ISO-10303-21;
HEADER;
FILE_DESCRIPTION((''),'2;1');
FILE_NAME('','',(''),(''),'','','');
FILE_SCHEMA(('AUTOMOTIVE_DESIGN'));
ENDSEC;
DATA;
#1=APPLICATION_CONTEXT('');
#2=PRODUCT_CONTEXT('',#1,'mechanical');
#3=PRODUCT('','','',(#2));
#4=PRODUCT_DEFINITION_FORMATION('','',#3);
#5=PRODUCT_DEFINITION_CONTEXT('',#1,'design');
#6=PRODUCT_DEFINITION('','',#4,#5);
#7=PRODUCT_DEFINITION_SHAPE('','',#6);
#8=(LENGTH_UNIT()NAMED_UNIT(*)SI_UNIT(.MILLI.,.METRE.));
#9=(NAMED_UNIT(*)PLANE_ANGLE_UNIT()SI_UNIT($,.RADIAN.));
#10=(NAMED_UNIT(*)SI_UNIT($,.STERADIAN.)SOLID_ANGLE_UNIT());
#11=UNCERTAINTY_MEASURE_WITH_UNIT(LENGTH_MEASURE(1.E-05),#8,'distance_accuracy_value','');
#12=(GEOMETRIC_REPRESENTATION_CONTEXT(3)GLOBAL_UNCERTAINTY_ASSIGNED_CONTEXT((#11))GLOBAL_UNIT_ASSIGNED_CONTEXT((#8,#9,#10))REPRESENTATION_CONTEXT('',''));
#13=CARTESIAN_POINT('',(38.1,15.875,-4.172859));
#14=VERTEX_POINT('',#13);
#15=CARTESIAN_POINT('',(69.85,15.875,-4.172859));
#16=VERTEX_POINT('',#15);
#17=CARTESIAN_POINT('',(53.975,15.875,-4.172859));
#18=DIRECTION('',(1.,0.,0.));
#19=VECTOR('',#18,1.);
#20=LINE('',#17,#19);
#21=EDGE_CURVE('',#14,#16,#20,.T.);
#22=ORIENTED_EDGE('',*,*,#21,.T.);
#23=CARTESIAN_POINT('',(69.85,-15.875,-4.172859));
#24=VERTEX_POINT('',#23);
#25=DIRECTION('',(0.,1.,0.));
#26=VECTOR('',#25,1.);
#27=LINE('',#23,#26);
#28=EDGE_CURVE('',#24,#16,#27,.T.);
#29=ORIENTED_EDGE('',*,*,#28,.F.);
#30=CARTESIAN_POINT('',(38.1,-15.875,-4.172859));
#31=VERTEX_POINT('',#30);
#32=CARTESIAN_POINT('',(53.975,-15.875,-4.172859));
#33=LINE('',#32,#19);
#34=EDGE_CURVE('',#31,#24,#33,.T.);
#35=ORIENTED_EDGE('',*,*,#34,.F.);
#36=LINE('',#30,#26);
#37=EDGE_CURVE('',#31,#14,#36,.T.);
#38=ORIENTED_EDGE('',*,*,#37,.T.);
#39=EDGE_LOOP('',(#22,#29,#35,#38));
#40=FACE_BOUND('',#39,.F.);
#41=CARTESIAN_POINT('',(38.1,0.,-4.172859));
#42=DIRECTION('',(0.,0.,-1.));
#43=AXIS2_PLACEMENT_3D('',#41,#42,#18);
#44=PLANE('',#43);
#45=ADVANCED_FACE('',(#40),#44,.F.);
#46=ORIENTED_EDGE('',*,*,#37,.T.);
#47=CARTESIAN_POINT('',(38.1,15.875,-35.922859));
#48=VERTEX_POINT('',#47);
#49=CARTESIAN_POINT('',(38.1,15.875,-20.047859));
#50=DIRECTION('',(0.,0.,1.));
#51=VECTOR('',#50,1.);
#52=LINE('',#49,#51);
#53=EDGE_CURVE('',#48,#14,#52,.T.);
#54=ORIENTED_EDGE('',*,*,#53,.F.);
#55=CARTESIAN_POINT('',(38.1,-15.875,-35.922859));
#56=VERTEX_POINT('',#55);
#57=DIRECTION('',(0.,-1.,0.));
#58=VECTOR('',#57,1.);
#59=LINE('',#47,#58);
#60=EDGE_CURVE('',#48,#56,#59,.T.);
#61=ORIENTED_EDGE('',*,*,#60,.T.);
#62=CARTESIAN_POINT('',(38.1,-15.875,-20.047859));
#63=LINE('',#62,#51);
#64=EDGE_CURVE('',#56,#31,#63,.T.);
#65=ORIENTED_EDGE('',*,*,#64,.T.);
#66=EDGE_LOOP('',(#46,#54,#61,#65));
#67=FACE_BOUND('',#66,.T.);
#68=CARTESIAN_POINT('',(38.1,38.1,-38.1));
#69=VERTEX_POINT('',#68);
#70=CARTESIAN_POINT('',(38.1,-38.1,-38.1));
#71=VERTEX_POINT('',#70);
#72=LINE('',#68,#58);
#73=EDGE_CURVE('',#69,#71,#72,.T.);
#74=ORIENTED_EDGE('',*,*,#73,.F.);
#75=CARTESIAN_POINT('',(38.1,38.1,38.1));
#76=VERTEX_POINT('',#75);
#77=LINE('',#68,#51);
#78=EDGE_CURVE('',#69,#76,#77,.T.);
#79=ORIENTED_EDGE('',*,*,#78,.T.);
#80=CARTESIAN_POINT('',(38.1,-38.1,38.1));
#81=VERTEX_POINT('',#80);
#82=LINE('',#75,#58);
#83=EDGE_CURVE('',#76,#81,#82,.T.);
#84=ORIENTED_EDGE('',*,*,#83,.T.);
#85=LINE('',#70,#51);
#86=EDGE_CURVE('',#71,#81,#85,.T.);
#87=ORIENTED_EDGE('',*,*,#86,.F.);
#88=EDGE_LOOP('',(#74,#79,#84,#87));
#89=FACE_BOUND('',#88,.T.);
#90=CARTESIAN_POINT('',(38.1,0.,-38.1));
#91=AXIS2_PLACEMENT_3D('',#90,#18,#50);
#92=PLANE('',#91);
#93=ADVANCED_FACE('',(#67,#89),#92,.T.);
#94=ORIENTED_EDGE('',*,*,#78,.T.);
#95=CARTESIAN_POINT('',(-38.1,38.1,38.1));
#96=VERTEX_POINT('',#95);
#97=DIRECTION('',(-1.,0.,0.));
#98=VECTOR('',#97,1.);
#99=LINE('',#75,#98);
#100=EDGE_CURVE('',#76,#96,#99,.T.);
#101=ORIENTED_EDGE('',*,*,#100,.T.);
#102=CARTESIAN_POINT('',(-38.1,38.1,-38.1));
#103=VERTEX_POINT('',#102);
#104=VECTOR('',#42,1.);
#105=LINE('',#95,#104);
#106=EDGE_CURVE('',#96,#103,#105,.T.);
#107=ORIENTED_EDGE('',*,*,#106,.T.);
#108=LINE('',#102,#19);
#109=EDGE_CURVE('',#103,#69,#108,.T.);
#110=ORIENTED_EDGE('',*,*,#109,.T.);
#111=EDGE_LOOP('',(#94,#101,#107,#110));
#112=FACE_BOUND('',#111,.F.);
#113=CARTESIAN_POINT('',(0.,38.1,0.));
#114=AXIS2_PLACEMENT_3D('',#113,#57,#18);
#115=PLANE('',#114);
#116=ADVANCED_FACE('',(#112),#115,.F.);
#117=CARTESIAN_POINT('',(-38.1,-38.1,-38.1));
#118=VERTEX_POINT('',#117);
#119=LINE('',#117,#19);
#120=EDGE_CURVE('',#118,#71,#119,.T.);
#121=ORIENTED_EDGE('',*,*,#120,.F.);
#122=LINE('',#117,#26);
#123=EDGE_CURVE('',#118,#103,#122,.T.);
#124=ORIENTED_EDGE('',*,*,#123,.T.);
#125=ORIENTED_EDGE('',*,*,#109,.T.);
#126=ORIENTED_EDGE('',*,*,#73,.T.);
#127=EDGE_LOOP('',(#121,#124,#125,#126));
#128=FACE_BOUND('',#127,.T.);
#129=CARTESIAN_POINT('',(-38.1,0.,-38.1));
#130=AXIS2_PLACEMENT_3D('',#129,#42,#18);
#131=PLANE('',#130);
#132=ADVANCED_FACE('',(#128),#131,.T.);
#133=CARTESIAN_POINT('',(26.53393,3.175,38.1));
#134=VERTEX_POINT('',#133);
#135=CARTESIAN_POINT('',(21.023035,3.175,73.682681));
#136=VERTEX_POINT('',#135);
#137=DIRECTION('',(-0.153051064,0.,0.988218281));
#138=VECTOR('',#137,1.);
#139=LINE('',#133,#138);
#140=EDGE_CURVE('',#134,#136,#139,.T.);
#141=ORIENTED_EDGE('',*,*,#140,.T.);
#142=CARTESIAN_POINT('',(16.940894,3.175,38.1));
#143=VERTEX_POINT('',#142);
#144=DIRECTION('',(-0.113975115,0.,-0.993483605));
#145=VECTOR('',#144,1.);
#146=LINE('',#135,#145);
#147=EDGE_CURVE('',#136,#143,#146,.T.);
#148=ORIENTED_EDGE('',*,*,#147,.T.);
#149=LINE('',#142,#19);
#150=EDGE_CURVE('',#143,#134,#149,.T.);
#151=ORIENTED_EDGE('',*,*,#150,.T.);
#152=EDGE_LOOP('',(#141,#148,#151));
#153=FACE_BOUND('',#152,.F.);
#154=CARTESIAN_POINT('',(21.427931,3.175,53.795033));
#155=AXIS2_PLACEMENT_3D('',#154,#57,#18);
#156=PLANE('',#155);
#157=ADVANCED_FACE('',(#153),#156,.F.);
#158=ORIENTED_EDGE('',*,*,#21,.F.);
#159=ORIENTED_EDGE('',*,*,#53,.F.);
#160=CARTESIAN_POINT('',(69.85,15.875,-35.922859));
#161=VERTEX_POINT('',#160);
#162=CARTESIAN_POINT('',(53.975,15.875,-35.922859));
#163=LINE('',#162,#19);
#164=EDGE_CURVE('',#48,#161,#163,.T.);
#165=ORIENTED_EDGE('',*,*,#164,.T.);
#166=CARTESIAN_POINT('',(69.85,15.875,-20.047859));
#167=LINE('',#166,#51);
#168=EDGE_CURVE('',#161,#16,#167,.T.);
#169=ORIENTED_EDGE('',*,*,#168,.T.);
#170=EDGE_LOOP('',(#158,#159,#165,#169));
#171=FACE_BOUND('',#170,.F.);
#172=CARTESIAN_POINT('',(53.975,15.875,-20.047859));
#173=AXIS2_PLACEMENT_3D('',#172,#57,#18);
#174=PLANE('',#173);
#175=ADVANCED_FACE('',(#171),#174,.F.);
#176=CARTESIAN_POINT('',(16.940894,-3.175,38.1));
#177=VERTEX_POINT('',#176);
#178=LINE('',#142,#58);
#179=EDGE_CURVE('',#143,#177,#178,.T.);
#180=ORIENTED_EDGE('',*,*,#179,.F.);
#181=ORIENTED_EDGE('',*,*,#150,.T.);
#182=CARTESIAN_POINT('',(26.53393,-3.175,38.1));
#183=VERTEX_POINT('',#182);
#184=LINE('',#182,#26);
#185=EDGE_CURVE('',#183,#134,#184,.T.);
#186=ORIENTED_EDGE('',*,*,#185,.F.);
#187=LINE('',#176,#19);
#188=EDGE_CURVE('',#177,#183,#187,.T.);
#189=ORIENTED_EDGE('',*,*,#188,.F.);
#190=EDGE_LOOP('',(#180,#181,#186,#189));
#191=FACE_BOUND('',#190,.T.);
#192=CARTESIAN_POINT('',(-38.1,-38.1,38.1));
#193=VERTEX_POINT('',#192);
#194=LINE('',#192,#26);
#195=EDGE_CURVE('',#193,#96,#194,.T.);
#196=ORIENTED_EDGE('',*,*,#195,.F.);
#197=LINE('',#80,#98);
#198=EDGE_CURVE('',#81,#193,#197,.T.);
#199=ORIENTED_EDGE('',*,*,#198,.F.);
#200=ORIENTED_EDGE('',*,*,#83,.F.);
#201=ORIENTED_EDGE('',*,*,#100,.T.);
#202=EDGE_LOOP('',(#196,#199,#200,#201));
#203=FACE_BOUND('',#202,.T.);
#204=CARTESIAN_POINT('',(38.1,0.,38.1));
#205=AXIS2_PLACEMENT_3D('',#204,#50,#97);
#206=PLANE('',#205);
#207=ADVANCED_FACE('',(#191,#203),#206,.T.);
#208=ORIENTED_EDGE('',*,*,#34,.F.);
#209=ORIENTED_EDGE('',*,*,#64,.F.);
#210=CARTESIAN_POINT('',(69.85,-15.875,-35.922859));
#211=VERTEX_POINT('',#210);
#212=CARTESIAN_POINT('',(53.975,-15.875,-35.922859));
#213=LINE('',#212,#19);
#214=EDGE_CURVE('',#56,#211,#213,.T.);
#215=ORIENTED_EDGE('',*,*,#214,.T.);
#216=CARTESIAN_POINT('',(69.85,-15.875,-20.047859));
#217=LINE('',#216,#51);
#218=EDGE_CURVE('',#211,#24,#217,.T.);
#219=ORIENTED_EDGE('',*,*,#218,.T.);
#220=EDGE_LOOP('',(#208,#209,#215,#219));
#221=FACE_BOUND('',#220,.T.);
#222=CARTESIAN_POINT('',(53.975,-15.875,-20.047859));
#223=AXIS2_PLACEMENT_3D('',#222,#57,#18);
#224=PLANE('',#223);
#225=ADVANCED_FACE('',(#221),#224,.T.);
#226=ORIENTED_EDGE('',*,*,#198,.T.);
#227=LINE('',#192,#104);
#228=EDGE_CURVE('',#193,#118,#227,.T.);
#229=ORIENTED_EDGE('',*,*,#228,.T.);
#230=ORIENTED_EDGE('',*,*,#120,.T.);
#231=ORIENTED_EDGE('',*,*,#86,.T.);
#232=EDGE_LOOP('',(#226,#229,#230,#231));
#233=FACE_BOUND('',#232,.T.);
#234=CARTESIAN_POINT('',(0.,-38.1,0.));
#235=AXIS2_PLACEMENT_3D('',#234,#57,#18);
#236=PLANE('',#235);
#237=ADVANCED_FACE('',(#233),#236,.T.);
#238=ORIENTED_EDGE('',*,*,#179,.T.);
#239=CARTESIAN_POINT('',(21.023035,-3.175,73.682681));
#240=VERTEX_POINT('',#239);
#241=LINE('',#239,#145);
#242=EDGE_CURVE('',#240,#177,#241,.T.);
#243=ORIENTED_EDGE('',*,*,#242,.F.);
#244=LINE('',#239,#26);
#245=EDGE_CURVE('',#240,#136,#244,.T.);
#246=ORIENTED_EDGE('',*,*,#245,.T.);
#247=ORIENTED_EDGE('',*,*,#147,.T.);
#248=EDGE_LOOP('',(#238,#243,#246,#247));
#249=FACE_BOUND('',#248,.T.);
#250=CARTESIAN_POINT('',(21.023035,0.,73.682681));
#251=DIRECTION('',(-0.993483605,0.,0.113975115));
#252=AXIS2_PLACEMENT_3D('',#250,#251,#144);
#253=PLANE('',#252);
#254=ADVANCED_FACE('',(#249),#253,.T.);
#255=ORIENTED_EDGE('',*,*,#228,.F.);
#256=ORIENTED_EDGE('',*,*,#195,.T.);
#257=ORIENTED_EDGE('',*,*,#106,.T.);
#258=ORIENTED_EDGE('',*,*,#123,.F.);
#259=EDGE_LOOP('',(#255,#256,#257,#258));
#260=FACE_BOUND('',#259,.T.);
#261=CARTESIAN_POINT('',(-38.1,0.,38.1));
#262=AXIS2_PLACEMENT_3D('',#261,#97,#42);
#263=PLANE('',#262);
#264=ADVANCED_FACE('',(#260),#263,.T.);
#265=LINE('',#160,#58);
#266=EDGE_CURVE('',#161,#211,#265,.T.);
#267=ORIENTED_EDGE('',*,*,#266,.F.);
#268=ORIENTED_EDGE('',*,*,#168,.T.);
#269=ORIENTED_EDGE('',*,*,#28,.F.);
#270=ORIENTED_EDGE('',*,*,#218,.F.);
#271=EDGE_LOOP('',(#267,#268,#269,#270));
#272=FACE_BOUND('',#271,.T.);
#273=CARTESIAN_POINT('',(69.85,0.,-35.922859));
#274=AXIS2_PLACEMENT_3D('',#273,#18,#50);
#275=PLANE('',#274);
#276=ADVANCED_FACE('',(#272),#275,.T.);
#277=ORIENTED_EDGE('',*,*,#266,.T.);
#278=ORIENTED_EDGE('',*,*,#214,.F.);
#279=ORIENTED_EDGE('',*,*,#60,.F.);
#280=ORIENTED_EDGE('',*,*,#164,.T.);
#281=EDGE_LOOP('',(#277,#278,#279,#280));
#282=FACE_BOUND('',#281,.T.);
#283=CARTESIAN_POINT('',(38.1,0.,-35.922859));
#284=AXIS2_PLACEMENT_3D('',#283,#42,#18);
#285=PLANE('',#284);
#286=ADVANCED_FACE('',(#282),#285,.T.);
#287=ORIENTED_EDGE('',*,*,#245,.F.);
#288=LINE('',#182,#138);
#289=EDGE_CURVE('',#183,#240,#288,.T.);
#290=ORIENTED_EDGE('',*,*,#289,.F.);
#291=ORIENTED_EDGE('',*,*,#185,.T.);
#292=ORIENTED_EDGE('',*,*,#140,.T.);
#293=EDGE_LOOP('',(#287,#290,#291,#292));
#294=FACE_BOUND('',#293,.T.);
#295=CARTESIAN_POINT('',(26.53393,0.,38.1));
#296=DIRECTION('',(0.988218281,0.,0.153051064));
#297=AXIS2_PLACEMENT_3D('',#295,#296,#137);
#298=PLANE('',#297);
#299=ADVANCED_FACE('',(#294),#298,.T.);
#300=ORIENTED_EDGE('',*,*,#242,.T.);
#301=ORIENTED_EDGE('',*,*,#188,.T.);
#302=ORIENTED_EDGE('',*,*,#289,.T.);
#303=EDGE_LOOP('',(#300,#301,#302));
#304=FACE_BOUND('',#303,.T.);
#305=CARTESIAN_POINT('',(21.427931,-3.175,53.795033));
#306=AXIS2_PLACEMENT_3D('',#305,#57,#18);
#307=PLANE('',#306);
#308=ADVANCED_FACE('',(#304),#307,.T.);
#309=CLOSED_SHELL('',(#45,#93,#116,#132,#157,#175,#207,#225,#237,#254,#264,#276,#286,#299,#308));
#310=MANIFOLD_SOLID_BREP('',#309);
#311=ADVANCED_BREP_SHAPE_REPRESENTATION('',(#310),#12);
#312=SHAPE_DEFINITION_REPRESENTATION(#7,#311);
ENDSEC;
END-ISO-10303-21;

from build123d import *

# Parameters (mm, degrees)
F1_DEPTH = 38.1
F0_W     = 31.75
F0_H     = 31.75
F2_DEPTH = 15.875
F3_DEPTH = 3.175


with BuildPart() as f1:
    # F0 (on Front) → F1 (new body, symmetric)
    with BuildSketch(Plane.XZ):
        Polygon((-38.1, -38.1), (38.1, -38.1), (38.1, -35.922859), (38.1, -4.172859), (38.1, 38.1), (26.53393, 38.1), (16.940894, 38.1), (-38.1, 38.1), align=None)
    extrude(amount=F1_DEPTH, both=True)

    # F0 (on Front) → F2 (join, symmetric)
    with BuildSketch(Plane.XZ):
        with Locations((53.975, -20.047859)):
            Rectangle(F0_W, F0_H)
    extrude(amount=F2_DEPTH, both=True)

    # F0 (on Front) → F3 (join, symmetric)
    with BuildSketch(Plane.XZ):
        Polygon((21.023035, 73.682681), (16.940894, 38.1), (26.53393, 38.1), align=None)
    extrude(amount=F3_DEPTH, both=True)


solid = f1.part
